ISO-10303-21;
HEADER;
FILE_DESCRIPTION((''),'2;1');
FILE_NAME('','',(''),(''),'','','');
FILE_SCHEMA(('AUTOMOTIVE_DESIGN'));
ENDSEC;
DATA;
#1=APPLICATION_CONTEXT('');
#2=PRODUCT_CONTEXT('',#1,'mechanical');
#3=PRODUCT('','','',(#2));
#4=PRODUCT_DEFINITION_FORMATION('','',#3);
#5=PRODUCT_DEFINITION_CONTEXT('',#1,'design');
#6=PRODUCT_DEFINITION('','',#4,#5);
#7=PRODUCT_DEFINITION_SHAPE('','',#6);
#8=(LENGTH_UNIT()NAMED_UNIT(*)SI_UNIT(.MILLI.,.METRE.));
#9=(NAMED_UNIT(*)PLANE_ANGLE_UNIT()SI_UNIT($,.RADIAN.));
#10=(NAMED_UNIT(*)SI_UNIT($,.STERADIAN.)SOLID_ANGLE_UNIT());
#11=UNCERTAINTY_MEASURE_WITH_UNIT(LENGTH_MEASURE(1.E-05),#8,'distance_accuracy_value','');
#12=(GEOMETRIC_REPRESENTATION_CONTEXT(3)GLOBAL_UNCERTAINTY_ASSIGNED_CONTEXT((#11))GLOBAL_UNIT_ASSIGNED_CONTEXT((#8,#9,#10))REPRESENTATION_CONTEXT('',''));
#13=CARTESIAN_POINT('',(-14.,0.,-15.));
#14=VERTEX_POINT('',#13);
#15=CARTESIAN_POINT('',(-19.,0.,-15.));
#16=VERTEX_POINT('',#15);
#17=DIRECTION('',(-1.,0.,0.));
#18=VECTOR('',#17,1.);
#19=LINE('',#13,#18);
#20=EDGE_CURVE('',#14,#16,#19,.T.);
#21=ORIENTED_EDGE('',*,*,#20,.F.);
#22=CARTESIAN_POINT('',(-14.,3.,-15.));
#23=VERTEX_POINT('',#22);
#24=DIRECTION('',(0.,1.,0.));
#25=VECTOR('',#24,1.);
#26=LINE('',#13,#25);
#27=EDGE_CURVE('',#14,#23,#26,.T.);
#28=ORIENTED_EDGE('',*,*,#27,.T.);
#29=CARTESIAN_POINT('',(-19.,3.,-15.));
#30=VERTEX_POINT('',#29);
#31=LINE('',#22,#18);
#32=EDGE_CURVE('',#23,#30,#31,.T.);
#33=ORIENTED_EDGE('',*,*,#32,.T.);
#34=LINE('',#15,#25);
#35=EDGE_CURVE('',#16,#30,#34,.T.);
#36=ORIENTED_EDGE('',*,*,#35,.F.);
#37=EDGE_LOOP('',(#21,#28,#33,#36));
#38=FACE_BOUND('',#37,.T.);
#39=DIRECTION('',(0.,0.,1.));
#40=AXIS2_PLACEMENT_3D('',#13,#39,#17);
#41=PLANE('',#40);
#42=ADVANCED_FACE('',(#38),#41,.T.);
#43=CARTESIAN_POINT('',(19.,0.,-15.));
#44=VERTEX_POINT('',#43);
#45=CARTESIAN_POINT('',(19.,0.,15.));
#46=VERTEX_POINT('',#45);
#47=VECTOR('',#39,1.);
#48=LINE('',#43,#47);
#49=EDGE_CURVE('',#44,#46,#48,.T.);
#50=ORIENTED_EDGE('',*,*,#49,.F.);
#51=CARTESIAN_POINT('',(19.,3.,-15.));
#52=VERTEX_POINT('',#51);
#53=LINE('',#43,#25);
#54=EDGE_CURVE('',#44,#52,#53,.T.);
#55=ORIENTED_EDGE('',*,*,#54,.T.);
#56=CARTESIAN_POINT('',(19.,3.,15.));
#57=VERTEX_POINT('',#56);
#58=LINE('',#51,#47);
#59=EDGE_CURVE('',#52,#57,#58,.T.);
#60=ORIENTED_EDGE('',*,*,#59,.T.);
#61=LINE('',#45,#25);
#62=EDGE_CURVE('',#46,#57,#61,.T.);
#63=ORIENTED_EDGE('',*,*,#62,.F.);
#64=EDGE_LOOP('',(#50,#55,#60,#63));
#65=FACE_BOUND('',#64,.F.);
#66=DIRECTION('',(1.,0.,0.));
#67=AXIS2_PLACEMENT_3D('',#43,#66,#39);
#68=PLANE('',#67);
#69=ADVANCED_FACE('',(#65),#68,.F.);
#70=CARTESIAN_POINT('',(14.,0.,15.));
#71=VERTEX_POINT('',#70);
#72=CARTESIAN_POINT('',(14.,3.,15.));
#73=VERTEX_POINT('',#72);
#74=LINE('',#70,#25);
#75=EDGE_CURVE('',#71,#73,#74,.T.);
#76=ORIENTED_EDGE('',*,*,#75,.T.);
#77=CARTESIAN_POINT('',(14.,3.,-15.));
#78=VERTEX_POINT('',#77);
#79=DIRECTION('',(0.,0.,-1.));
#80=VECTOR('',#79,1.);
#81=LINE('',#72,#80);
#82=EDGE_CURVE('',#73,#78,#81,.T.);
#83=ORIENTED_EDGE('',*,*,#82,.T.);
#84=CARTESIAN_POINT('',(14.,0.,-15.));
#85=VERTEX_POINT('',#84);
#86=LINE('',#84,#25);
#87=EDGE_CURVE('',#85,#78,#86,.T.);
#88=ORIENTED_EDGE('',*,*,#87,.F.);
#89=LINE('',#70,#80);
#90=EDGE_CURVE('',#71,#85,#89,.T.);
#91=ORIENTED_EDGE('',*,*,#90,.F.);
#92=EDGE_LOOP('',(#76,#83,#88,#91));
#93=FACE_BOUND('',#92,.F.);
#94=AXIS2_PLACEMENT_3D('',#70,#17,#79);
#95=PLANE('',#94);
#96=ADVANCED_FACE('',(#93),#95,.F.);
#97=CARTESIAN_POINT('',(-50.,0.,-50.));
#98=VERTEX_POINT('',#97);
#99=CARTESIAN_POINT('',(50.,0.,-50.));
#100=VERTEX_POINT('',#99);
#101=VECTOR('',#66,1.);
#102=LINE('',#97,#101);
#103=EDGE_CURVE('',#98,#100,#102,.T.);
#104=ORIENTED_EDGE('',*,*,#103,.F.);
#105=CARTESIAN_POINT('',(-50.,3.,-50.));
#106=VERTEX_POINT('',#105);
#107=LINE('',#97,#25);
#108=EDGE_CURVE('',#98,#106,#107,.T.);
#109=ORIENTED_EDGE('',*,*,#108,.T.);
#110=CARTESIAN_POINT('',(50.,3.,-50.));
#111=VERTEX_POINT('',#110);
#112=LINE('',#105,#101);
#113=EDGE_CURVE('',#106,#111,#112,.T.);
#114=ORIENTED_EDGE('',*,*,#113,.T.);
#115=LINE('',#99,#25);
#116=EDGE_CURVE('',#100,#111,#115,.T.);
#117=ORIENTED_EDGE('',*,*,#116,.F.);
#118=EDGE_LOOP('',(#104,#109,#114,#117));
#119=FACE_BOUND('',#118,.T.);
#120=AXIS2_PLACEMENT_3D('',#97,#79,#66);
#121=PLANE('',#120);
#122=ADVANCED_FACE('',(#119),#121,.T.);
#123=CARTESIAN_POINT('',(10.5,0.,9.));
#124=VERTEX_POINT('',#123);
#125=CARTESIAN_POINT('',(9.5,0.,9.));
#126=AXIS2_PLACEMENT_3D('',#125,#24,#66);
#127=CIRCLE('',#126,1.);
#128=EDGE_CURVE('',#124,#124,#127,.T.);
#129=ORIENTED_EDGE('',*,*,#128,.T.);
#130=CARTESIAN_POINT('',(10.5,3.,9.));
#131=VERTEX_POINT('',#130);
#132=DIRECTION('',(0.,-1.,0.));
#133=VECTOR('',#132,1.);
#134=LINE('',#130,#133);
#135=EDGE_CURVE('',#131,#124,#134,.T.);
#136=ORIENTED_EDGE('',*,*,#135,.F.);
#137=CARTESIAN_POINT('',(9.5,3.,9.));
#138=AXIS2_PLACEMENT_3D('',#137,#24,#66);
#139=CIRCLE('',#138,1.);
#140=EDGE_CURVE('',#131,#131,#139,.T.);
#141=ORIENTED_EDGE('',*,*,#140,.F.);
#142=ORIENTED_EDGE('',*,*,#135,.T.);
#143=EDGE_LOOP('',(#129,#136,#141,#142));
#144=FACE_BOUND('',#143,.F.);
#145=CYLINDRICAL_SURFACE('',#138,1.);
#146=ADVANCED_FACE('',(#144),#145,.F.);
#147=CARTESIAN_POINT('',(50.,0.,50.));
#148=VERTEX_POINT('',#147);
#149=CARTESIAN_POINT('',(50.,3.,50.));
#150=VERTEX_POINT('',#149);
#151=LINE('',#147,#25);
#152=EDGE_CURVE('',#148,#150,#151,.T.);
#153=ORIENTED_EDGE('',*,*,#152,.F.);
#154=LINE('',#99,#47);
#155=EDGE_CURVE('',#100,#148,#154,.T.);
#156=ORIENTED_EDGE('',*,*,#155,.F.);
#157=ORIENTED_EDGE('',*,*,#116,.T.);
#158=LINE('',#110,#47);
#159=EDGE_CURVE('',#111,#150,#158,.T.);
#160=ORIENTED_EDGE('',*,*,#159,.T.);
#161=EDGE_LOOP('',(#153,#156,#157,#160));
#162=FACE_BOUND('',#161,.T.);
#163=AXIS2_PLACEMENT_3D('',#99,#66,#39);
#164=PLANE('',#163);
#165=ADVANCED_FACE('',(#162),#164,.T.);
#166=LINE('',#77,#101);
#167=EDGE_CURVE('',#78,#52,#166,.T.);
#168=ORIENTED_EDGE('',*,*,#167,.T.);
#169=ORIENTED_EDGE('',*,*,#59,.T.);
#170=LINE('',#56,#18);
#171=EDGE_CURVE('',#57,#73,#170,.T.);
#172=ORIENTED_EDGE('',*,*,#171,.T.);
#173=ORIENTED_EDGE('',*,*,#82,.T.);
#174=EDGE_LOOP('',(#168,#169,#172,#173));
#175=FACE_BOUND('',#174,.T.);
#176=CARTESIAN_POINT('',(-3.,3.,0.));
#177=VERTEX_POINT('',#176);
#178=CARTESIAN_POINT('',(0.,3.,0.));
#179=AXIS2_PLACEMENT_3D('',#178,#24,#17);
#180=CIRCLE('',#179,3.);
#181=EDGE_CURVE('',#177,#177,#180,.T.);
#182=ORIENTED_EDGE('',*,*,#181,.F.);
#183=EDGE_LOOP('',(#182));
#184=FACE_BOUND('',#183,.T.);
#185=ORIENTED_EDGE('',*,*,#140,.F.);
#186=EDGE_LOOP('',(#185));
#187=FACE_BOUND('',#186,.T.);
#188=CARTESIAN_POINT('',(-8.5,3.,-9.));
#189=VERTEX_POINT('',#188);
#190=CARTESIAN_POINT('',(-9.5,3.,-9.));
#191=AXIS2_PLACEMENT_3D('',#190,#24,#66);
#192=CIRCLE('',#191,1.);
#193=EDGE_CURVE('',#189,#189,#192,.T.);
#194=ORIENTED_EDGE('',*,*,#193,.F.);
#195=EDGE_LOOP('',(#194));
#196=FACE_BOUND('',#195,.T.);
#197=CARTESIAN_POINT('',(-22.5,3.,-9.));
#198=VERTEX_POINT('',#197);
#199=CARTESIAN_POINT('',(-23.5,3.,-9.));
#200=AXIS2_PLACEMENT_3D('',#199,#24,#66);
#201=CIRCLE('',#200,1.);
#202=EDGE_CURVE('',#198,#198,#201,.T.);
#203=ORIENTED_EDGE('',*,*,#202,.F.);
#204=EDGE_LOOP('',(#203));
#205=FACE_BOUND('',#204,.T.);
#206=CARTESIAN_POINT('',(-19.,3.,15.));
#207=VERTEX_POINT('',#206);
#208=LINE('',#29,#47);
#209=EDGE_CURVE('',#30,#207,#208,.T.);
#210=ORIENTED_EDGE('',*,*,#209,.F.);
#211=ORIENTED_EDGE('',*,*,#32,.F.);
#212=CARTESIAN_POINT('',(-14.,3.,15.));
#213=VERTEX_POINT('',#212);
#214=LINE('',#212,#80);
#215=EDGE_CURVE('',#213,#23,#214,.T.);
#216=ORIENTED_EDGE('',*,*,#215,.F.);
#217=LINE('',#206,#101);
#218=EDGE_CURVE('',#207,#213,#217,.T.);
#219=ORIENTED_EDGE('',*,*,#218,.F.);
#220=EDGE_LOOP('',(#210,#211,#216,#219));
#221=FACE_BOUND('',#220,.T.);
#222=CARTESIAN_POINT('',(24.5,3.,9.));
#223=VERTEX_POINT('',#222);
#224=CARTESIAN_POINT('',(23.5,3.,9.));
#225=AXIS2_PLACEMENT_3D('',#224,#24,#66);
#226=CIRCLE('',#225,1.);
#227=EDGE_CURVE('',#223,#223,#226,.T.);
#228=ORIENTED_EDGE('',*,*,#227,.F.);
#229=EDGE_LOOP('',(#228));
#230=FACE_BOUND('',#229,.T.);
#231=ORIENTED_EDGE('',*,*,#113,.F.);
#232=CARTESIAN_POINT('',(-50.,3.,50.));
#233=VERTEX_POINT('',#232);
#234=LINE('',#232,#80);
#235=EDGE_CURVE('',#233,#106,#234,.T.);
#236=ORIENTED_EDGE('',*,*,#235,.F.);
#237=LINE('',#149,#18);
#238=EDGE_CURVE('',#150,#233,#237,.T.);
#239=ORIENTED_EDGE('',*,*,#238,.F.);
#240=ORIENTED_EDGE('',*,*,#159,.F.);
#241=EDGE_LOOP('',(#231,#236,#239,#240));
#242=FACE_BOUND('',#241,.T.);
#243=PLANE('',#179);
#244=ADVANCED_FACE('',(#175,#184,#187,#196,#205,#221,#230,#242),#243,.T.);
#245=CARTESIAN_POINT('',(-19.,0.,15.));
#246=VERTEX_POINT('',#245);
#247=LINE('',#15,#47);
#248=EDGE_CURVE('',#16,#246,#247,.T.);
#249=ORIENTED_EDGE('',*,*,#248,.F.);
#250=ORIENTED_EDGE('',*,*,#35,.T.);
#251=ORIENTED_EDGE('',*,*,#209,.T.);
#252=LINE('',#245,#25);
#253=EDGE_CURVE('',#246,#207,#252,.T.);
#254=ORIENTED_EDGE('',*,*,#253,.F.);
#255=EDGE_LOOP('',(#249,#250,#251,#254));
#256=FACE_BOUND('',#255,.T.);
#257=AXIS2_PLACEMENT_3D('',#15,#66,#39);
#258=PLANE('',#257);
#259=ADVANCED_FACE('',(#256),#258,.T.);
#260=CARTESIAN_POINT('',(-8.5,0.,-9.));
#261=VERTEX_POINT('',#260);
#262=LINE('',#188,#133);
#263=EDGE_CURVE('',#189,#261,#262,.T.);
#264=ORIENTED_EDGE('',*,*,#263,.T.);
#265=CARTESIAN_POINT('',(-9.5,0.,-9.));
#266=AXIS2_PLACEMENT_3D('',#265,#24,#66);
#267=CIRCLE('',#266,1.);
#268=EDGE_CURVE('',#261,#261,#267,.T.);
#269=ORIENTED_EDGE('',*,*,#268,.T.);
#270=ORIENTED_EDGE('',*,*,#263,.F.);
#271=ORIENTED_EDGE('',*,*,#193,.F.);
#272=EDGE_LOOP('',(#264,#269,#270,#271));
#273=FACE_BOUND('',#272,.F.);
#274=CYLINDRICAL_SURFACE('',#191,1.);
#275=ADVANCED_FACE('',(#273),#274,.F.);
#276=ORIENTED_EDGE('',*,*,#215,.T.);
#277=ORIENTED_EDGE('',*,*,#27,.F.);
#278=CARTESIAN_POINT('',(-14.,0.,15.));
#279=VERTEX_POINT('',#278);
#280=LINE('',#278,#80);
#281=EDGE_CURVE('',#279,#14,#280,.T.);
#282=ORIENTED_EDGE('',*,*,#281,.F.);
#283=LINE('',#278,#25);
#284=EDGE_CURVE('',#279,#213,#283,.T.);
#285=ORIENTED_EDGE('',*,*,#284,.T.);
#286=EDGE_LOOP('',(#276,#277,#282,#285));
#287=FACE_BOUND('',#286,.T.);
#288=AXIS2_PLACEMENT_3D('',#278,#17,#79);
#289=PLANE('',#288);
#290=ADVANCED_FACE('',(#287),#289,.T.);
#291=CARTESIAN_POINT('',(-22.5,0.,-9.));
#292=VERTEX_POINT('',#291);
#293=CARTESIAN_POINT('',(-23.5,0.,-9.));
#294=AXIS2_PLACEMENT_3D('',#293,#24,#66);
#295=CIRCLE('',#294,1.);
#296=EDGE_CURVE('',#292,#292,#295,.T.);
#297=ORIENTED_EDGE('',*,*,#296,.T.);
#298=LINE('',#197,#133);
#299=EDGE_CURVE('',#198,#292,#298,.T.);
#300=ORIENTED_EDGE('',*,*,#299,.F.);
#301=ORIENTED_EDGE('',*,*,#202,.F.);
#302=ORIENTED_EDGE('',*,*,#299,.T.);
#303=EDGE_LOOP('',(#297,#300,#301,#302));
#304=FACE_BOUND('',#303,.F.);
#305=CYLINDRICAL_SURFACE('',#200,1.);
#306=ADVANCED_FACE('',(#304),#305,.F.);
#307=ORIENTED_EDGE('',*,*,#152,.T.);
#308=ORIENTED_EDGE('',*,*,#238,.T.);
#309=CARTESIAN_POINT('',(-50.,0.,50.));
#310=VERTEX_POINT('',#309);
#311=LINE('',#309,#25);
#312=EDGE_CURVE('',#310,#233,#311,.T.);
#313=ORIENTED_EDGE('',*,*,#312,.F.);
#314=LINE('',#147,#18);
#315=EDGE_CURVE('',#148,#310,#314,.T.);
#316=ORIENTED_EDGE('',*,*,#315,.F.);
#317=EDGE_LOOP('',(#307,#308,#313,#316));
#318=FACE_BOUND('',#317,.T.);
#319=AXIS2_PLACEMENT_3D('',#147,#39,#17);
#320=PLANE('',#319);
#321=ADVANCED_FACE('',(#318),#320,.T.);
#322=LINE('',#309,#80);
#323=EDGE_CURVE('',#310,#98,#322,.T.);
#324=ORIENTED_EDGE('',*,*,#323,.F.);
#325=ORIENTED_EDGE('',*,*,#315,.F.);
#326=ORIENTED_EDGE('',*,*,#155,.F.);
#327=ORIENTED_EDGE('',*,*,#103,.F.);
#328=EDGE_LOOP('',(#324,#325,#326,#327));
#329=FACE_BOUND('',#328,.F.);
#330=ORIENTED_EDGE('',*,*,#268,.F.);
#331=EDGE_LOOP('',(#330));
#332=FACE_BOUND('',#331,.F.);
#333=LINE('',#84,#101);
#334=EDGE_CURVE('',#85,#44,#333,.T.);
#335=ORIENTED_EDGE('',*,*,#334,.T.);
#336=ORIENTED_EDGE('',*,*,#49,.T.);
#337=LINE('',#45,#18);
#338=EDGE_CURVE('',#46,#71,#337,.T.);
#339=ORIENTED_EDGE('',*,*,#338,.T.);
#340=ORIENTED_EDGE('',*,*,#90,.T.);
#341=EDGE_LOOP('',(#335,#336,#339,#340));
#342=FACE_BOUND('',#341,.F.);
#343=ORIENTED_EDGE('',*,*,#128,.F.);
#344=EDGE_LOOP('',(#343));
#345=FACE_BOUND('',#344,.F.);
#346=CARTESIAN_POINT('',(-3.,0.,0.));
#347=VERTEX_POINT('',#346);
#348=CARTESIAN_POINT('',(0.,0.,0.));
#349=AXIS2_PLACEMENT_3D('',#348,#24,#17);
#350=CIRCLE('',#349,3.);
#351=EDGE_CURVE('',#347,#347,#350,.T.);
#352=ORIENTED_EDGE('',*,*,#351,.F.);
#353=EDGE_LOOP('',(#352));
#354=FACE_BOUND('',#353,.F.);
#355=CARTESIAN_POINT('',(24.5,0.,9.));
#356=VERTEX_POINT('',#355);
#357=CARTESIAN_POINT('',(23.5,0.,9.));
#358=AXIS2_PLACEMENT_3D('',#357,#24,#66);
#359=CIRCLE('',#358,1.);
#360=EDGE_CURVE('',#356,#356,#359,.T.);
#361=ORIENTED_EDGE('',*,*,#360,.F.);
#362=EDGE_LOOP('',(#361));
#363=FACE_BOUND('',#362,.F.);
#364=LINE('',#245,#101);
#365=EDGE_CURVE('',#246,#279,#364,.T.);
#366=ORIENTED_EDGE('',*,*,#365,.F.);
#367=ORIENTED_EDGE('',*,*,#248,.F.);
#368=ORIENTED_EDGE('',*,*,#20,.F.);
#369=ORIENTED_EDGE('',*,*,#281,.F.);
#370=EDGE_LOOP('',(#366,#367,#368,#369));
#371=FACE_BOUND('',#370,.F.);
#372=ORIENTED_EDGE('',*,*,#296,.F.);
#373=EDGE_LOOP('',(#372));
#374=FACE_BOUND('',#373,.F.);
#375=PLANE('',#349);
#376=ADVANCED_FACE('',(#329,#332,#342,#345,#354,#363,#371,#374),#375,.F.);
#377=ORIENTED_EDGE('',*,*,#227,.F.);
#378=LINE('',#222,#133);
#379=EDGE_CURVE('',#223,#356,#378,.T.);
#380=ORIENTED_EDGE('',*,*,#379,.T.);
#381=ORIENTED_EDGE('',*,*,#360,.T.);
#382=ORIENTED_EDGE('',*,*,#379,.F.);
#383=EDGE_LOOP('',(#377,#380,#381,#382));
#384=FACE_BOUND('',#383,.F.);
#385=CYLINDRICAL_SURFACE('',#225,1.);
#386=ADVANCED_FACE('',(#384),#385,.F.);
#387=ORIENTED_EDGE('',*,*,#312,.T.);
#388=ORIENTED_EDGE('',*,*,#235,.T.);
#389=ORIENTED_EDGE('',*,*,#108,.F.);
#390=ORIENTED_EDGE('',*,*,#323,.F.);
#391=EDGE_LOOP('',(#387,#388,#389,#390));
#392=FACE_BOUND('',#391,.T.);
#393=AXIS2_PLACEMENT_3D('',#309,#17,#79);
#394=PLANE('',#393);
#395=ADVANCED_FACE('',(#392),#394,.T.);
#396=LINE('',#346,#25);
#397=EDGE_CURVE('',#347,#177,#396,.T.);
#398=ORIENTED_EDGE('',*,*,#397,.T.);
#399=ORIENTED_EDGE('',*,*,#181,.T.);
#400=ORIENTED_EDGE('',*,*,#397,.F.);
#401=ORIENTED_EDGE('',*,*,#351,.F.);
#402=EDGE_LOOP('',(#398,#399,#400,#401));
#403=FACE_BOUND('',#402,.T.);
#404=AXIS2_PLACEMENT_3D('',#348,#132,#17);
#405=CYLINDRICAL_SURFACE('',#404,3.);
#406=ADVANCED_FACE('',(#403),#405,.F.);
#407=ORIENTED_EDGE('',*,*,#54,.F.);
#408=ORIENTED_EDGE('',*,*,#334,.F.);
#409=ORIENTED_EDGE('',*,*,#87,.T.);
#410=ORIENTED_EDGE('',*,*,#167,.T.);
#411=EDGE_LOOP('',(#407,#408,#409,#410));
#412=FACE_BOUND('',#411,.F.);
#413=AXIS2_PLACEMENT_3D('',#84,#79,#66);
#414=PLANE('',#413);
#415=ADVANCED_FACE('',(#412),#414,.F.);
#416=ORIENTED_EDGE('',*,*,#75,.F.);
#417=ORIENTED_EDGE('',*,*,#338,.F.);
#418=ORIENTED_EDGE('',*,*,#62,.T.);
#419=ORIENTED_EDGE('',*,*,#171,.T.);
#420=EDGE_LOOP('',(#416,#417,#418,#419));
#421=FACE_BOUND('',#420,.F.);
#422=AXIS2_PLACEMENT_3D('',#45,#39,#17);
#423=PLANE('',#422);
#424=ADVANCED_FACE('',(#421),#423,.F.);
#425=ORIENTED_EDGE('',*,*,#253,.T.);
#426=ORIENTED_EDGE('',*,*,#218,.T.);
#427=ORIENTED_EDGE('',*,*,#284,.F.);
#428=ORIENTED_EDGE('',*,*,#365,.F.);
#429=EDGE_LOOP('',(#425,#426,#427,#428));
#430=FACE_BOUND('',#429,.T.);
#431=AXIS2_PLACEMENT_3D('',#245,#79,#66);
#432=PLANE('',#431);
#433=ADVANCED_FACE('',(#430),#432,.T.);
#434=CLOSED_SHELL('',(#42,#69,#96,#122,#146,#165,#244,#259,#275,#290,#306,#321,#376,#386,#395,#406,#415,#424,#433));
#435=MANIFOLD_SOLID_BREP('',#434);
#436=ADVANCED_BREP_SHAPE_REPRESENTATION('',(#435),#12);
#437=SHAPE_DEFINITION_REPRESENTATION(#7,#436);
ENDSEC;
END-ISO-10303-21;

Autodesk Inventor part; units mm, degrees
ref_plane "YZ Plane" through (0, 0, 0) normal (1, 0, 0) x (0, 1, 0)
ref_plane "XZ Plane" through (0, 0, 0) normal (0, 1, 0) x (-1, 0, 0)
ref_plane "XY Plane" through (0, 0, 0) normal (0, 0, 1) x (1, 0, 0)
sketch "Sketch1" plane through (0, 0, 0) normal (0, 1, 0) x (-1, 0, 0)
  line L0 (50, -50) -> (-50, -50)
  line L1 (-50, -50) -> (-50, 50)
  line L2 (-50, 50) -> (50, 50)
  line L3 (50, 50) -> (50, -50)
  line L4 (50, -50) -> (-50, 50) construction
  line L5 (-50, -50) -> (50, 50) construction
  line L6 (-14, -15) -> (-19, -15)
  line L7 (-19, -15) -> (-19, 15)
  line L8 (-19, 15) -> (-14, 15)
  line L9 (-14, 15) -> (-14, -15)
  line L10 (-14, -15) -> (-19, 15) construction
  line L11 (-19, -15) -> (-14, 15) construction
  line L12 (0, -50) -> (0, 50) construction
  line L13 (14, -15) -> (19, -15)
  line L14 (19, -15) -> (19, 15)
  line L15 (19, 15) -> (14, 15)
  line L16 (14, 15) -> (14, -15)
  line L17 (14, -15) -> (19, 15) construction
  line L18 (19, -15) -> (14, 15) construction
  line L19 (-19, 15) -> (-19, 50) construction
  line L20 (-19, -15) -> (-19, -50) construction
  circle A0 centre (0, 0) radius 3
  point P0 (-16.5, 0)
  point P1 (16.5, 0)
  dimension "d0" = 100
  dimension "d1" = 100
  dimension "d4" = 5
  dimension "d5" = 30
  dimension "d6" = 14
  dimension "d21" = 6
extrude "Extrusion2" add sketch "Sketch1" along normal blind 3
sketch "Sketch2" plane through (0, 3, 0) normal (0, 1, 0) x (1, 0, 0)
  circle A0 centre (23.5, -9) radius 1
  circle A1 centre (9.5, -9) radius 1
  line L0 (23.5, -9) -> (16.5, -9) construction
  line L1 (19, -15) -> (14, -15) construction
  line L2 (16.5, -15) -> (16.5, -9) construction
  line L3 (16.5, -9) -> (9.5, -9) construction
  line L4 (-19, 15) -> (-14, 15) construction
  line L5 (-16.5, 15) -> (-16.5, 9) construction
  line L6 (-16.5, 9) -> (-9.5, 9) construction
  line L7 (-16.5, 9) -> (-23.5, 9) construction
  circle A2 centre (-9.5, 9) radius 1
  circle A3 centre (-23.5, 9) radius 1
  point P0 (0, 0)
  dimension "d11" = 2
  dimension "d12" = 2
  dimension "d13" = 6
  dimension "d14" = 7
  dimension "d17" = 2
  dimension "d18" = 2
extrude "Extrusion3" cut sketch "Sketch2" against normal through all
properties part number "thumper-bumper-base"
